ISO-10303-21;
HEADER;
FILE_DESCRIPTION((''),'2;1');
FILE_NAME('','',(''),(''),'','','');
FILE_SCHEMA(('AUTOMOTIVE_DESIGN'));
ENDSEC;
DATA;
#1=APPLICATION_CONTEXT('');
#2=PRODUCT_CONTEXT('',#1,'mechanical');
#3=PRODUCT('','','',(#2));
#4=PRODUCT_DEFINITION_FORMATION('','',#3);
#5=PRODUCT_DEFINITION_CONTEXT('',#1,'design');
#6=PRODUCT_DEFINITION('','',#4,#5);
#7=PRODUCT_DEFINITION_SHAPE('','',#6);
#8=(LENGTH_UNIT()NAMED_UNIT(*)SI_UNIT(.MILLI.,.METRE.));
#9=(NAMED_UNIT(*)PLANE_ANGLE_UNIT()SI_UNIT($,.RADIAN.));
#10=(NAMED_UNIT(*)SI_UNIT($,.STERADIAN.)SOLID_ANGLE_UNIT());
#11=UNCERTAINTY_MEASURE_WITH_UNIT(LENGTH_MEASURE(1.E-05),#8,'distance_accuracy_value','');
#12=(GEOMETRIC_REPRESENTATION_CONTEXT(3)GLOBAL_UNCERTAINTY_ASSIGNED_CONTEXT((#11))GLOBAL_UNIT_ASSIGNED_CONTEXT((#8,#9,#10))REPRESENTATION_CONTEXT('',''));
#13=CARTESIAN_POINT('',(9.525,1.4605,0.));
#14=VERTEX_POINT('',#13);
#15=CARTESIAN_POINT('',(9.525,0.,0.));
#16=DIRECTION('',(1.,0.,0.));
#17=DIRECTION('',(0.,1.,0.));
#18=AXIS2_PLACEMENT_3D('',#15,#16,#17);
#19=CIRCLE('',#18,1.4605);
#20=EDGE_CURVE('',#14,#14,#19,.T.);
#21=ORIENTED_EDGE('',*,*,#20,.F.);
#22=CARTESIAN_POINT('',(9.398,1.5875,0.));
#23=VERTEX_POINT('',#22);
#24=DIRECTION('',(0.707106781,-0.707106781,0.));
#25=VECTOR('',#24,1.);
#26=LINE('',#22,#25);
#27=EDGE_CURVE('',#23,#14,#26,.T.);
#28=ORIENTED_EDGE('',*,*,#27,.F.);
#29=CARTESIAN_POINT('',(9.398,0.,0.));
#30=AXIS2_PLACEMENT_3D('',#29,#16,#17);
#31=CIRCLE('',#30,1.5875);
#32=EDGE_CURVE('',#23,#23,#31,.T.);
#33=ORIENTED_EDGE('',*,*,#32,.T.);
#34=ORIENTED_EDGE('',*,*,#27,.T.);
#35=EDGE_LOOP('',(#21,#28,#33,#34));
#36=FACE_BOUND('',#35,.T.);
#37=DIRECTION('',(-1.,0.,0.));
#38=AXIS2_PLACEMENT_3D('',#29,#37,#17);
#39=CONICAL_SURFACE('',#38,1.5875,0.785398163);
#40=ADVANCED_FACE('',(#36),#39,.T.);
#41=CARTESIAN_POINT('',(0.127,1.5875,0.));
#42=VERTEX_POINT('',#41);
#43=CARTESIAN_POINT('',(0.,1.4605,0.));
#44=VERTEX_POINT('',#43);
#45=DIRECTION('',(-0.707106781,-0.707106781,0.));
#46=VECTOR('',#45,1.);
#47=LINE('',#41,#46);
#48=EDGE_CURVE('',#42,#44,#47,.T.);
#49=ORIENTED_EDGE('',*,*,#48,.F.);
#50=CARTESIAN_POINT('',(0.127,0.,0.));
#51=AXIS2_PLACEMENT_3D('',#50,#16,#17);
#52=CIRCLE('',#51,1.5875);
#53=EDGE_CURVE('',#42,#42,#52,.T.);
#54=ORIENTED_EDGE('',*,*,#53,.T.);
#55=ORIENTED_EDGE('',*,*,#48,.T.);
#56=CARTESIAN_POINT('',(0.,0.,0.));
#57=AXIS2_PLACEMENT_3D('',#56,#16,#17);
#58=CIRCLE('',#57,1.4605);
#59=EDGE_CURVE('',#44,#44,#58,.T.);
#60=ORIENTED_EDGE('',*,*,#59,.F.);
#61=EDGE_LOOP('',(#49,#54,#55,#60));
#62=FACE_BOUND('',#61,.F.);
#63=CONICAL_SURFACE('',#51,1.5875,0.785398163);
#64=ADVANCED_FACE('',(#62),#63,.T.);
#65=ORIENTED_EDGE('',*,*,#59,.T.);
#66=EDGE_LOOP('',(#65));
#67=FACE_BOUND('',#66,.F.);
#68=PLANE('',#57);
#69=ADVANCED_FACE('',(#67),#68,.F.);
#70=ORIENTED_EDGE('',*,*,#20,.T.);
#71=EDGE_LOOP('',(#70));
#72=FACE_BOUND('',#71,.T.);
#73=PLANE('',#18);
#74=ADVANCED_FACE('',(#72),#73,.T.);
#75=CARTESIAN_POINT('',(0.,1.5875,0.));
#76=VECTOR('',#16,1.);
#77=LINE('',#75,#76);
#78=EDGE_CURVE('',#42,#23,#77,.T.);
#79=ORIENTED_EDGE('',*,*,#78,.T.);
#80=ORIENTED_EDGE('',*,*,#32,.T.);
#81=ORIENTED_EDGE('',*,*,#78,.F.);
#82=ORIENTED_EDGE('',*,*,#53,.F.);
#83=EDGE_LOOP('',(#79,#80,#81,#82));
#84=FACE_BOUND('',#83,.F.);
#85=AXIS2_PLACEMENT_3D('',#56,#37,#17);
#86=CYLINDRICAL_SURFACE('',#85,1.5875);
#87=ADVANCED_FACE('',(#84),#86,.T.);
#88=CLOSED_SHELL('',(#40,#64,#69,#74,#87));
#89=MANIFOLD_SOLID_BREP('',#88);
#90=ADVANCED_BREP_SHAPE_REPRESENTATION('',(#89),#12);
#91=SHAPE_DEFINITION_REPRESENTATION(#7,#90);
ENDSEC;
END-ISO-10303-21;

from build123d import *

# Parameters (mm, degrees)
F0_R     = 1.5875
F1_DEPTH = 9.525
F2_SIZE  = 0.127
F3_SIZE  = 0.127


with BuildPart() as f1:
    # F0 (on Right) → F1 (new body)
    with BuildSketch(Plane.YZ):
        Circle(F0_R)
    extrude(amount=F1_DEPTH)

    # F2
    f2_edges = [f1.edges().sort_by_distance(p)[0] for p in [
        (9.525, -1.5875, 0),
    ]]
    chamfer(f2_edges, length=F2_SIZE)

    # F3
    f3_edges = [f1.edges().sort_by_distance(p)[0] for p in [
        (0, -1.5875, 0),
    ]]
    chamfer(f3_edges, length=F3_SIZE)


solid = f1.part
